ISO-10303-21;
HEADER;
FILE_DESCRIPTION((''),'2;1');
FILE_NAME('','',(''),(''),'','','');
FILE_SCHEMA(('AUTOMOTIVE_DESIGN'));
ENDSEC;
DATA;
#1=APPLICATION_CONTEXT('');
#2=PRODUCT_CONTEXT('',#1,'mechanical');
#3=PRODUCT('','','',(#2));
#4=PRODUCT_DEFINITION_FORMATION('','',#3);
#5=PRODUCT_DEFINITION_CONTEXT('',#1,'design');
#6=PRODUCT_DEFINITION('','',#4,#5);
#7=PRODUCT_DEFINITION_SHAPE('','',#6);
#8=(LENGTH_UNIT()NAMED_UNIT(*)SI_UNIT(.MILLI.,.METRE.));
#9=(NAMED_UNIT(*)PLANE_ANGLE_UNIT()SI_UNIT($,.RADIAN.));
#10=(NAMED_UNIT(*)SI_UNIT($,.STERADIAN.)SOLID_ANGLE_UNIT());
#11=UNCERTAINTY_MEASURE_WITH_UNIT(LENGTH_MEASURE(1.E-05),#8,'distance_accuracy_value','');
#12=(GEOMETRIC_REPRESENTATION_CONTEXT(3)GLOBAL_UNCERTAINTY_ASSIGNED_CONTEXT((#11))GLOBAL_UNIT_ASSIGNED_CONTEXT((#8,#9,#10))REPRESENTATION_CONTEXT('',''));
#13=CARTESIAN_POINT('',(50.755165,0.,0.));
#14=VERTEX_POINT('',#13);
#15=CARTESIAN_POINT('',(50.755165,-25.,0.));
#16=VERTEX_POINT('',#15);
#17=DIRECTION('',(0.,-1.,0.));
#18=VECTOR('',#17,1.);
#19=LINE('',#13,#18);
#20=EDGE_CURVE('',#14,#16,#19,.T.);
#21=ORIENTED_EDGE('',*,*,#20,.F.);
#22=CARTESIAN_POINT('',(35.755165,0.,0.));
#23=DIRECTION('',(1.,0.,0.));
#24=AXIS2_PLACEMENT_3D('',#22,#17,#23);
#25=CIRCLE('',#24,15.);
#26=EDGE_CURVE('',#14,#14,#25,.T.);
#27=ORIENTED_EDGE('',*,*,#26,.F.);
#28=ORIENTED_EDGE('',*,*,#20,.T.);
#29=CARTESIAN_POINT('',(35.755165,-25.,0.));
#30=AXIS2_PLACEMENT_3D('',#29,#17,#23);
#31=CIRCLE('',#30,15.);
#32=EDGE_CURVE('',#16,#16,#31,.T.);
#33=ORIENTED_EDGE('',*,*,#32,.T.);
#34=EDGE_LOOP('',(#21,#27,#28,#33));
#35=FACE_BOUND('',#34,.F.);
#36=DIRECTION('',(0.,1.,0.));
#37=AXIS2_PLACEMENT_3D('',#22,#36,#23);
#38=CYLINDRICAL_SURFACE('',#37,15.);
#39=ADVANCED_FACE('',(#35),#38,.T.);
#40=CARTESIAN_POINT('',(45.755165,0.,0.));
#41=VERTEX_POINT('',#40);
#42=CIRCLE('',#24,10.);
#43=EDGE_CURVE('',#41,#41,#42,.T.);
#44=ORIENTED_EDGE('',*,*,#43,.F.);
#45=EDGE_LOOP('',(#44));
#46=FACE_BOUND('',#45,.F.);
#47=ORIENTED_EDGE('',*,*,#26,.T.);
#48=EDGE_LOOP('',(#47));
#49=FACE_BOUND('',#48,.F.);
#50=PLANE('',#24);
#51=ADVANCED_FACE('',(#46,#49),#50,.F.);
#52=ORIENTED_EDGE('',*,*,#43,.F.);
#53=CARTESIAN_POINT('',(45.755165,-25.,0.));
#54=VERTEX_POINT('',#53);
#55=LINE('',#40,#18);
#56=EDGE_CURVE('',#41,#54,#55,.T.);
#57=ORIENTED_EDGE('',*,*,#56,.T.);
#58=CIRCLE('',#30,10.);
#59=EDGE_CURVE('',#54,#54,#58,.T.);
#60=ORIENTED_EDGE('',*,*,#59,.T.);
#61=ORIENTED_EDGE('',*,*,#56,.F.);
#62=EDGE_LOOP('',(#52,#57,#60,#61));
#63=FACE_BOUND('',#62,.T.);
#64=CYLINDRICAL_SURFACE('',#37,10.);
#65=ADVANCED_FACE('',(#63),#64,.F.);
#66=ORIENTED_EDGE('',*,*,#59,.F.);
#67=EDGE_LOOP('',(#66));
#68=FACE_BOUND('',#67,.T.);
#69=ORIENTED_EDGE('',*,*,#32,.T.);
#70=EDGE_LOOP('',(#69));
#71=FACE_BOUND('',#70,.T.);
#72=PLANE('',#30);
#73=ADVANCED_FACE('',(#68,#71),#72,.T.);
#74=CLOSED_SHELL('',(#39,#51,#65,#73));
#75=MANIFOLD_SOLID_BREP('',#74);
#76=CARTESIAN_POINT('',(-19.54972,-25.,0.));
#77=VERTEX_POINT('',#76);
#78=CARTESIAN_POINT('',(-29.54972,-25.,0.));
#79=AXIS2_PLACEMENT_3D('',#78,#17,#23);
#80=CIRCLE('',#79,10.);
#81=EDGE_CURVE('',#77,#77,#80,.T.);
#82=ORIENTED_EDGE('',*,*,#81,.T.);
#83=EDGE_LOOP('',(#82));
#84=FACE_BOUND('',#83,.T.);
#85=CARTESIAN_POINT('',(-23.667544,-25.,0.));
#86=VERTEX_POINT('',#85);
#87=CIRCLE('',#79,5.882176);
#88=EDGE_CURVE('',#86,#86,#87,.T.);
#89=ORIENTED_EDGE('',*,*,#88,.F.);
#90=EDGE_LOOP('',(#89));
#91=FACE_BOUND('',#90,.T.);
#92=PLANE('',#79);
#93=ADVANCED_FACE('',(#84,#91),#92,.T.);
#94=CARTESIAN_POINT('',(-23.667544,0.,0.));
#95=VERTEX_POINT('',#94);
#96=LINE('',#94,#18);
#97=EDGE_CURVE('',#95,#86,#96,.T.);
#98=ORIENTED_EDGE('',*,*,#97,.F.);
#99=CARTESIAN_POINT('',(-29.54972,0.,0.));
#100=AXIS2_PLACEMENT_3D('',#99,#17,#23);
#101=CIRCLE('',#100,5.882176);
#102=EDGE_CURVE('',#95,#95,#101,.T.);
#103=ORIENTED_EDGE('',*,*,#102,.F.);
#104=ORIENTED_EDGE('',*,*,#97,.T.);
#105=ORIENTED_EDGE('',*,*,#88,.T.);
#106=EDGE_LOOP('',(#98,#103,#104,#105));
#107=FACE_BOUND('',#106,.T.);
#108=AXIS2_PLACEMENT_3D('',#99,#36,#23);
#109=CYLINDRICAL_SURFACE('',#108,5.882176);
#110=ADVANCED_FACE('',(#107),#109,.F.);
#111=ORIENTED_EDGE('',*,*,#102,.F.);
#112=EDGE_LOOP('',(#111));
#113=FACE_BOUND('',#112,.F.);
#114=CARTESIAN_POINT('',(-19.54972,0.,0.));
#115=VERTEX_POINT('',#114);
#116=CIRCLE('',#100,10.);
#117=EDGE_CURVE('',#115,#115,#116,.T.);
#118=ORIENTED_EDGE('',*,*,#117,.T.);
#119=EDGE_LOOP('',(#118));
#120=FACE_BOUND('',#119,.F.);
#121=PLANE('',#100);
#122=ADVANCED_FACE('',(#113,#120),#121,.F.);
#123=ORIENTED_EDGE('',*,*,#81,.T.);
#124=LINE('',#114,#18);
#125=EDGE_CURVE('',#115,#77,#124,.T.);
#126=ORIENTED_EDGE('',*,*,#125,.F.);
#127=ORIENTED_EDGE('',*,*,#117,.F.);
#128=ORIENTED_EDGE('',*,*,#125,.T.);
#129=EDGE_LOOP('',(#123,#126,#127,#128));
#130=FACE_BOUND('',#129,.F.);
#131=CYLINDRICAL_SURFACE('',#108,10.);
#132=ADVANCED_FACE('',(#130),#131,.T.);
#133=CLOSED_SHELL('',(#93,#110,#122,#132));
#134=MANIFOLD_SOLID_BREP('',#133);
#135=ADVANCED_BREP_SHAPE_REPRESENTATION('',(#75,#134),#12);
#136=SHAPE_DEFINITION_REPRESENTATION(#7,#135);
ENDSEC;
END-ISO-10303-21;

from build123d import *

# Parameters (mm, degrees)
F0_R     = 10
F0_R_2   = 5.882176
F0_R_3   = 15
F1_DEPTH = 25


with BuildPart() as f1:
    # F0 (on Front) → F1 (new body)
    with BuildSketch(Plane.XZ):
        with Locations((-29.54972, 0)):
            Circle(F0_R)
        with Locations((-29.54972, 0)):
            Circle(F0_R_2, mode=Mode.SUBTRACT)
        with Locations((35.755165, 0)):
            Circle(F0_R_3)
        with Locations((35.755165, 0)):
            Circle(F0_R, mode=Mode.SUBTRACT)
    extrude(amount=F1_DEPTH)


solid = f1.part
